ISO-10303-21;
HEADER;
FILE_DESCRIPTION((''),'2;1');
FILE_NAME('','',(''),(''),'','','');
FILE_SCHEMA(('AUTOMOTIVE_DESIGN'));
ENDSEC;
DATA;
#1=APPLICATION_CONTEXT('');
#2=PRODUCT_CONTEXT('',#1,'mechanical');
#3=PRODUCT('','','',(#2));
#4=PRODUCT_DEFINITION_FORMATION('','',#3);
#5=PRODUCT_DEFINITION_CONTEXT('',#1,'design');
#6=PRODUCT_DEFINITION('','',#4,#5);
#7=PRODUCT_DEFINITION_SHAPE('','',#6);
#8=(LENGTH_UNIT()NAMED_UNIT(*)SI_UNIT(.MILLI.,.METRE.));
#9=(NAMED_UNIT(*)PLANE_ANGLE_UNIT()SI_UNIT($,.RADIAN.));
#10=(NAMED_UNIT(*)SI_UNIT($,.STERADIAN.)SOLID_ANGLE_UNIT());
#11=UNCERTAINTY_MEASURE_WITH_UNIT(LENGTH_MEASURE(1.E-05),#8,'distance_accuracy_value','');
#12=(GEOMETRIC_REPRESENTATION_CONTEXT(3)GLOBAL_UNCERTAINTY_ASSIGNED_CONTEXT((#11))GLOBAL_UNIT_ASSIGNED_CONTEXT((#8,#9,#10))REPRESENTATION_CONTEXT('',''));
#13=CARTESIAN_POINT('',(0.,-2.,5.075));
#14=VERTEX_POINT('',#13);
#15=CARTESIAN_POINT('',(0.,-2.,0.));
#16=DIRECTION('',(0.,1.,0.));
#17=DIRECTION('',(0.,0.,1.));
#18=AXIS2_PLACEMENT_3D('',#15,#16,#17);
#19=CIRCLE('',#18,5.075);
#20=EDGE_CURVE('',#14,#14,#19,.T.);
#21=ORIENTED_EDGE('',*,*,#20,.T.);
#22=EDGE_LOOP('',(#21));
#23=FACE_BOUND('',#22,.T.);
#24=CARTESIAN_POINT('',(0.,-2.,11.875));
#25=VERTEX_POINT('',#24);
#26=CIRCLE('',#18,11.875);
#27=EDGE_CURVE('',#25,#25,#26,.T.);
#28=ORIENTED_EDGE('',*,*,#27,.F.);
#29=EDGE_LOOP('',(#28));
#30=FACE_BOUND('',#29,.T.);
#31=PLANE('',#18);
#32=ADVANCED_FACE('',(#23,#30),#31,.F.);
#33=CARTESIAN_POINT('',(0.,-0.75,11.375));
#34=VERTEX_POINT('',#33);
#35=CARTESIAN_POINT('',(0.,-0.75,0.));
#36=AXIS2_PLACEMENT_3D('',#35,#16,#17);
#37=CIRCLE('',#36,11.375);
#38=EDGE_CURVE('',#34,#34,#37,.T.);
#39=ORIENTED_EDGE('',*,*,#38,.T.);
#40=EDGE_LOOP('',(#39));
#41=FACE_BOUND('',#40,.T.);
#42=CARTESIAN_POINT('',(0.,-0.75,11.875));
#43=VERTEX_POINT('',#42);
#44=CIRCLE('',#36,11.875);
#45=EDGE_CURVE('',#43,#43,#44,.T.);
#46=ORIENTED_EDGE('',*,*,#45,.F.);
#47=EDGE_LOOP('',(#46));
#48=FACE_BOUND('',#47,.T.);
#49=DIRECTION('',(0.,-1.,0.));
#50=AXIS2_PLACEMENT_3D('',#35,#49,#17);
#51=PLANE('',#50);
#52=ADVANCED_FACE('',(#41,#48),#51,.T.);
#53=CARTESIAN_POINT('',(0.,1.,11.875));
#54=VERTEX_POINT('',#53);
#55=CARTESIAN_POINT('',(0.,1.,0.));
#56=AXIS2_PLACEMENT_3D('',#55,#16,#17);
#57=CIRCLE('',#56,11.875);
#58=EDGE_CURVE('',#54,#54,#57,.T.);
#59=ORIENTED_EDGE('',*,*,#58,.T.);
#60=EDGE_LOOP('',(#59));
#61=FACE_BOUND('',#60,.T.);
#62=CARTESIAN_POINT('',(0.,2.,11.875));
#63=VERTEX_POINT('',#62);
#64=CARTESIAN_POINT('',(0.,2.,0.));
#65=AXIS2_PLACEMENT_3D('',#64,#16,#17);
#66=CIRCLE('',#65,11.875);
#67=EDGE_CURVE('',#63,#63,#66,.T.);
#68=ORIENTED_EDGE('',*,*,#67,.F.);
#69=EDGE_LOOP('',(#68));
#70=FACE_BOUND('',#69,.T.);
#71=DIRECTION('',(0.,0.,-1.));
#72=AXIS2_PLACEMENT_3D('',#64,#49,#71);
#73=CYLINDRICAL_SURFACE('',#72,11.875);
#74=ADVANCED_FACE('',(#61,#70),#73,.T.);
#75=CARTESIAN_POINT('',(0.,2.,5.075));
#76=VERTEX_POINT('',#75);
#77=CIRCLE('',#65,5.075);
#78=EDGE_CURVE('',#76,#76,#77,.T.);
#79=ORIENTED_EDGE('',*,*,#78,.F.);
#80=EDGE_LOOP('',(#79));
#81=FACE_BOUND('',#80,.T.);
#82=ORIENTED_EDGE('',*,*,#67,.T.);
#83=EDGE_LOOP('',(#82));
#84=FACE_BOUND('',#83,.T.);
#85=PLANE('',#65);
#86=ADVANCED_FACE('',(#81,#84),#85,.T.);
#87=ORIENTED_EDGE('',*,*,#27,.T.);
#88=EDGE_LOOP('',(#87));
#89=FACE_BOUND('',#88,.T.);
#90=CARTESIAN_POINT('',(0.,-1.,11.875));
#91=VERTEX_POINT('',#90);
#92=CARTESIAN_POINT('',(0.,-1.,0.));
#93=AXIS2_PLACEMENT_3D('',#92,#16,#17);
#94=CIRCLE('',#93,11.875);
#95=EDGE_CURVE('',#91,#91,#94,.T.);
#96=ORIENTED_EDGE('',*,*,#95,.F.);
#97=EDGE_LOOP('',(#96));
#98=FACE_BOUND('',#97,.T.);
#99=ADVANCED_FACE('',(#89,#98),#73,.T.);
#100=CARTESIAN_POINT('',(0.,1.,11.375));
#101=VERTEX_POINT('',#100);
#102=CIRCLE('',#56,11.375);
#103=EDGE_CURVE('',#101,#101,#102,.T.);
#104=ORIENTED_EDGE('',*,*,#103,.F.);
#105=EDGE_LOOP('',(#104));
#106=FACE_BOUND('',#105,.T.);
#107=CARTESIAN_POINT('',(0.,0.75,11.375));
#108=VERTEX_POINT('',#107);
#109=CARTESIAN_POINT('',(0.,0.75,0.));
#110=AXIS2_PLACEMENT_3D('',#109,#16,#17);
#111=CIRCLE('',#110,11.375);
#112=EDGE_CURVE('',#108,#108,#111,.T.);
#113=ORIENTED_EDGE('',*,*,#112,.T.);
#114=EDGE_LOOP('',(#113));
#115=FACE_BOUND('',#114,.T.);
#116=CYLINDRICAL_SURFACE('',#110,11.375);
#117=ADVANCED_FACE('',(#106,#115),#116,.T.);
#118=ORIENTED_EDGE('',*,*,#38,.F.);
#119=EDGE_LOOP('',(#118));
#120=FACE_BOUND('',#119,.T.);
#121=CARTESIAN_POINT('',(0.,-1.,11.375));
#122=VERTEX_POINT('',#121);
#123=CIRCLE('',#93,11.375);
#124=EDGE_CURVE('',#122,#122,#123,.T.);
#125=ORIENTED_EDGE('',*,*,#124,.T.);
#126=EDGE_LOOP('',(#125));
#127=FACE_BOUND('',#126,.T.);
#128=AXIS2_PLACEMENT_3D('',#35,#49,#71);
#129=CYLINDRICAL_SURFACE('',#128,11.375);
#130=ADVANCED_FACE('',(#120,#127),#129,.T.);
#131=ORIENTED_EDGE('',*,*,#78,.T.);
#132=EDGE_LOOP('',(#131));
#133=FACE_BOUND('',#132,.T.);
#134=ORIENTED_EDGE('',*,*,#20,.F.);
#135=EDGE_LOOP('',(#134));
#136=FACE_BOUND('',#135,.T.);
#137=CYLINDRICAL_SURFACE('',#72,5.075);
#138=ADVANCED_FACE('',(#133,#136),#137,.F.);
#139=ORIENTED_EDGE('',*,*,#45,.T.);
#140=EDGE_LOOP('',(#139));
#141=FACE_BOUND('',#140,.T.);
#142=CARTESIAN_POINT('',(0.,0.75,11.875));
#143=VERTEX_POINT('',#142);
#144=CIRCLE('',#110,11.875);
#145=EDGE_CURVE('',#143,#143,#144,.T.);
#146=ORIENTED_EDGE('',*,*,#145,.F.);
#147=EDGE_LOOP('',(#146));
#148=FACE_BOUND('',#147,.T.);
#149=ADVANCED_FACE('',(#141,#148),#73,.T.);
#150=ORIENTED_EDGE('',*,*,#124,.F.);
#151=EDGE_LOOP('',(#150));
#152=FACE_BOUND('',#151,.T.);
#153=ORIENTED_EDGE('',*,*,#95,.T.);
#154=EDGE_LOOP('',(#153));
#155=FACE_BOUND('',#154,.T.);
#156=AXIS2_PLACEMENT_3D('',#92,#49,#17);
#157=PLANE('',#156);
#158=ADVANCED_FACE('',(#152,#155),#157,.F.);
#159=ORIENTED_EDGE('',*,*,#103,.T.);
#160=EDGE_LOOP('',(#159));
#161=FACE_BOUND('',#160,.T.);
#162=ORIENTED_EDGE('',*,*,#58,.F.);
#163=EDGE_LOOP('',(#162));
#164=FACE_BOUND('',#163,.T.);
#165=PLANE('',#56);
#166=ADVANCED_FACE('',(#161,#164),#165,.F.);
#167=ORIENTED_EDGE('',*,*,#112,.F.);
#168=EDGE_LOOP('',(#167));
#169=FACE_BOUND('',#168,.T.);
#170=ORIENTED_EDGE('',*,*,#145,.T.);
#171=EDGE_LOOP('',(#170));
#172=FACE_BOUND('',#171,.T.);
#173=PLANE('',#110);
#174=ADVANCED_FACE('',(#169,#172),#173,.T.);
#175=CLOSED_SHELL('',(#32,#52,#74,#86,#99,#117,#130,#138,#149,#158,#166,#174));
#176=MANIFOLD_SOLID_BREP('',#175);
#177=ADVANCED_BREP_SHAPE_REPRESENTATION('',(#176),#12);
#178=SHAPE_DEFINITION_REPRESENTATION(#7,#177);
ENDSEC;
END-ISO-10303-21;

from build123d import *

# Parameters (mm, degrees)
SKETCH1_R           = 11.875
SKETCH1_R_2         = 5.075
BOSS_EXTRUDE1_DEPTH = 2
SKETCH2_R           = 11.875
SKETCH2_R_2         = 11.375
CUT_EXTRUDE1_DEPTH  = 0.25


with BuildPart() as part:
    # Sketch1 → Boss-Extrude1 (new body, symmetric)
    with BuildSketch(Plane(origin=(0, 0, 0), x_dir=(1, 0, 0), z_dir=(0, 1, 0))):
        Circle(SKETCH1_R)
        Circle(SKETCH1_R_2, mode=Mode.SUBTRACT)
    extrude(amount=BOSS_EXTRUDE1_DEPTH, both=True)

    # Sketch2 → Cut-Extrude1 (cut)
    with BuildSketch(Plane(origin=(0, 1, 0), x_dir=(1, 0, 0), z_dir=(0, 1, 0))):
        Circle(SKETCH2_R)
        Circle(SKETCH2_R_2, mode=Mode.SUBTRACT)
    cut_extrude1 = extrude(amount=-CUT_EXTRUDE1_DEPTH, mode=Mode.SUBTRACT)

    # Mirror1: Cut-Extrude1 across plane
    add(cut_extrude1.mirror(Plane.ZX), mode=Mode.SUBTRACT)


solid = part.part
